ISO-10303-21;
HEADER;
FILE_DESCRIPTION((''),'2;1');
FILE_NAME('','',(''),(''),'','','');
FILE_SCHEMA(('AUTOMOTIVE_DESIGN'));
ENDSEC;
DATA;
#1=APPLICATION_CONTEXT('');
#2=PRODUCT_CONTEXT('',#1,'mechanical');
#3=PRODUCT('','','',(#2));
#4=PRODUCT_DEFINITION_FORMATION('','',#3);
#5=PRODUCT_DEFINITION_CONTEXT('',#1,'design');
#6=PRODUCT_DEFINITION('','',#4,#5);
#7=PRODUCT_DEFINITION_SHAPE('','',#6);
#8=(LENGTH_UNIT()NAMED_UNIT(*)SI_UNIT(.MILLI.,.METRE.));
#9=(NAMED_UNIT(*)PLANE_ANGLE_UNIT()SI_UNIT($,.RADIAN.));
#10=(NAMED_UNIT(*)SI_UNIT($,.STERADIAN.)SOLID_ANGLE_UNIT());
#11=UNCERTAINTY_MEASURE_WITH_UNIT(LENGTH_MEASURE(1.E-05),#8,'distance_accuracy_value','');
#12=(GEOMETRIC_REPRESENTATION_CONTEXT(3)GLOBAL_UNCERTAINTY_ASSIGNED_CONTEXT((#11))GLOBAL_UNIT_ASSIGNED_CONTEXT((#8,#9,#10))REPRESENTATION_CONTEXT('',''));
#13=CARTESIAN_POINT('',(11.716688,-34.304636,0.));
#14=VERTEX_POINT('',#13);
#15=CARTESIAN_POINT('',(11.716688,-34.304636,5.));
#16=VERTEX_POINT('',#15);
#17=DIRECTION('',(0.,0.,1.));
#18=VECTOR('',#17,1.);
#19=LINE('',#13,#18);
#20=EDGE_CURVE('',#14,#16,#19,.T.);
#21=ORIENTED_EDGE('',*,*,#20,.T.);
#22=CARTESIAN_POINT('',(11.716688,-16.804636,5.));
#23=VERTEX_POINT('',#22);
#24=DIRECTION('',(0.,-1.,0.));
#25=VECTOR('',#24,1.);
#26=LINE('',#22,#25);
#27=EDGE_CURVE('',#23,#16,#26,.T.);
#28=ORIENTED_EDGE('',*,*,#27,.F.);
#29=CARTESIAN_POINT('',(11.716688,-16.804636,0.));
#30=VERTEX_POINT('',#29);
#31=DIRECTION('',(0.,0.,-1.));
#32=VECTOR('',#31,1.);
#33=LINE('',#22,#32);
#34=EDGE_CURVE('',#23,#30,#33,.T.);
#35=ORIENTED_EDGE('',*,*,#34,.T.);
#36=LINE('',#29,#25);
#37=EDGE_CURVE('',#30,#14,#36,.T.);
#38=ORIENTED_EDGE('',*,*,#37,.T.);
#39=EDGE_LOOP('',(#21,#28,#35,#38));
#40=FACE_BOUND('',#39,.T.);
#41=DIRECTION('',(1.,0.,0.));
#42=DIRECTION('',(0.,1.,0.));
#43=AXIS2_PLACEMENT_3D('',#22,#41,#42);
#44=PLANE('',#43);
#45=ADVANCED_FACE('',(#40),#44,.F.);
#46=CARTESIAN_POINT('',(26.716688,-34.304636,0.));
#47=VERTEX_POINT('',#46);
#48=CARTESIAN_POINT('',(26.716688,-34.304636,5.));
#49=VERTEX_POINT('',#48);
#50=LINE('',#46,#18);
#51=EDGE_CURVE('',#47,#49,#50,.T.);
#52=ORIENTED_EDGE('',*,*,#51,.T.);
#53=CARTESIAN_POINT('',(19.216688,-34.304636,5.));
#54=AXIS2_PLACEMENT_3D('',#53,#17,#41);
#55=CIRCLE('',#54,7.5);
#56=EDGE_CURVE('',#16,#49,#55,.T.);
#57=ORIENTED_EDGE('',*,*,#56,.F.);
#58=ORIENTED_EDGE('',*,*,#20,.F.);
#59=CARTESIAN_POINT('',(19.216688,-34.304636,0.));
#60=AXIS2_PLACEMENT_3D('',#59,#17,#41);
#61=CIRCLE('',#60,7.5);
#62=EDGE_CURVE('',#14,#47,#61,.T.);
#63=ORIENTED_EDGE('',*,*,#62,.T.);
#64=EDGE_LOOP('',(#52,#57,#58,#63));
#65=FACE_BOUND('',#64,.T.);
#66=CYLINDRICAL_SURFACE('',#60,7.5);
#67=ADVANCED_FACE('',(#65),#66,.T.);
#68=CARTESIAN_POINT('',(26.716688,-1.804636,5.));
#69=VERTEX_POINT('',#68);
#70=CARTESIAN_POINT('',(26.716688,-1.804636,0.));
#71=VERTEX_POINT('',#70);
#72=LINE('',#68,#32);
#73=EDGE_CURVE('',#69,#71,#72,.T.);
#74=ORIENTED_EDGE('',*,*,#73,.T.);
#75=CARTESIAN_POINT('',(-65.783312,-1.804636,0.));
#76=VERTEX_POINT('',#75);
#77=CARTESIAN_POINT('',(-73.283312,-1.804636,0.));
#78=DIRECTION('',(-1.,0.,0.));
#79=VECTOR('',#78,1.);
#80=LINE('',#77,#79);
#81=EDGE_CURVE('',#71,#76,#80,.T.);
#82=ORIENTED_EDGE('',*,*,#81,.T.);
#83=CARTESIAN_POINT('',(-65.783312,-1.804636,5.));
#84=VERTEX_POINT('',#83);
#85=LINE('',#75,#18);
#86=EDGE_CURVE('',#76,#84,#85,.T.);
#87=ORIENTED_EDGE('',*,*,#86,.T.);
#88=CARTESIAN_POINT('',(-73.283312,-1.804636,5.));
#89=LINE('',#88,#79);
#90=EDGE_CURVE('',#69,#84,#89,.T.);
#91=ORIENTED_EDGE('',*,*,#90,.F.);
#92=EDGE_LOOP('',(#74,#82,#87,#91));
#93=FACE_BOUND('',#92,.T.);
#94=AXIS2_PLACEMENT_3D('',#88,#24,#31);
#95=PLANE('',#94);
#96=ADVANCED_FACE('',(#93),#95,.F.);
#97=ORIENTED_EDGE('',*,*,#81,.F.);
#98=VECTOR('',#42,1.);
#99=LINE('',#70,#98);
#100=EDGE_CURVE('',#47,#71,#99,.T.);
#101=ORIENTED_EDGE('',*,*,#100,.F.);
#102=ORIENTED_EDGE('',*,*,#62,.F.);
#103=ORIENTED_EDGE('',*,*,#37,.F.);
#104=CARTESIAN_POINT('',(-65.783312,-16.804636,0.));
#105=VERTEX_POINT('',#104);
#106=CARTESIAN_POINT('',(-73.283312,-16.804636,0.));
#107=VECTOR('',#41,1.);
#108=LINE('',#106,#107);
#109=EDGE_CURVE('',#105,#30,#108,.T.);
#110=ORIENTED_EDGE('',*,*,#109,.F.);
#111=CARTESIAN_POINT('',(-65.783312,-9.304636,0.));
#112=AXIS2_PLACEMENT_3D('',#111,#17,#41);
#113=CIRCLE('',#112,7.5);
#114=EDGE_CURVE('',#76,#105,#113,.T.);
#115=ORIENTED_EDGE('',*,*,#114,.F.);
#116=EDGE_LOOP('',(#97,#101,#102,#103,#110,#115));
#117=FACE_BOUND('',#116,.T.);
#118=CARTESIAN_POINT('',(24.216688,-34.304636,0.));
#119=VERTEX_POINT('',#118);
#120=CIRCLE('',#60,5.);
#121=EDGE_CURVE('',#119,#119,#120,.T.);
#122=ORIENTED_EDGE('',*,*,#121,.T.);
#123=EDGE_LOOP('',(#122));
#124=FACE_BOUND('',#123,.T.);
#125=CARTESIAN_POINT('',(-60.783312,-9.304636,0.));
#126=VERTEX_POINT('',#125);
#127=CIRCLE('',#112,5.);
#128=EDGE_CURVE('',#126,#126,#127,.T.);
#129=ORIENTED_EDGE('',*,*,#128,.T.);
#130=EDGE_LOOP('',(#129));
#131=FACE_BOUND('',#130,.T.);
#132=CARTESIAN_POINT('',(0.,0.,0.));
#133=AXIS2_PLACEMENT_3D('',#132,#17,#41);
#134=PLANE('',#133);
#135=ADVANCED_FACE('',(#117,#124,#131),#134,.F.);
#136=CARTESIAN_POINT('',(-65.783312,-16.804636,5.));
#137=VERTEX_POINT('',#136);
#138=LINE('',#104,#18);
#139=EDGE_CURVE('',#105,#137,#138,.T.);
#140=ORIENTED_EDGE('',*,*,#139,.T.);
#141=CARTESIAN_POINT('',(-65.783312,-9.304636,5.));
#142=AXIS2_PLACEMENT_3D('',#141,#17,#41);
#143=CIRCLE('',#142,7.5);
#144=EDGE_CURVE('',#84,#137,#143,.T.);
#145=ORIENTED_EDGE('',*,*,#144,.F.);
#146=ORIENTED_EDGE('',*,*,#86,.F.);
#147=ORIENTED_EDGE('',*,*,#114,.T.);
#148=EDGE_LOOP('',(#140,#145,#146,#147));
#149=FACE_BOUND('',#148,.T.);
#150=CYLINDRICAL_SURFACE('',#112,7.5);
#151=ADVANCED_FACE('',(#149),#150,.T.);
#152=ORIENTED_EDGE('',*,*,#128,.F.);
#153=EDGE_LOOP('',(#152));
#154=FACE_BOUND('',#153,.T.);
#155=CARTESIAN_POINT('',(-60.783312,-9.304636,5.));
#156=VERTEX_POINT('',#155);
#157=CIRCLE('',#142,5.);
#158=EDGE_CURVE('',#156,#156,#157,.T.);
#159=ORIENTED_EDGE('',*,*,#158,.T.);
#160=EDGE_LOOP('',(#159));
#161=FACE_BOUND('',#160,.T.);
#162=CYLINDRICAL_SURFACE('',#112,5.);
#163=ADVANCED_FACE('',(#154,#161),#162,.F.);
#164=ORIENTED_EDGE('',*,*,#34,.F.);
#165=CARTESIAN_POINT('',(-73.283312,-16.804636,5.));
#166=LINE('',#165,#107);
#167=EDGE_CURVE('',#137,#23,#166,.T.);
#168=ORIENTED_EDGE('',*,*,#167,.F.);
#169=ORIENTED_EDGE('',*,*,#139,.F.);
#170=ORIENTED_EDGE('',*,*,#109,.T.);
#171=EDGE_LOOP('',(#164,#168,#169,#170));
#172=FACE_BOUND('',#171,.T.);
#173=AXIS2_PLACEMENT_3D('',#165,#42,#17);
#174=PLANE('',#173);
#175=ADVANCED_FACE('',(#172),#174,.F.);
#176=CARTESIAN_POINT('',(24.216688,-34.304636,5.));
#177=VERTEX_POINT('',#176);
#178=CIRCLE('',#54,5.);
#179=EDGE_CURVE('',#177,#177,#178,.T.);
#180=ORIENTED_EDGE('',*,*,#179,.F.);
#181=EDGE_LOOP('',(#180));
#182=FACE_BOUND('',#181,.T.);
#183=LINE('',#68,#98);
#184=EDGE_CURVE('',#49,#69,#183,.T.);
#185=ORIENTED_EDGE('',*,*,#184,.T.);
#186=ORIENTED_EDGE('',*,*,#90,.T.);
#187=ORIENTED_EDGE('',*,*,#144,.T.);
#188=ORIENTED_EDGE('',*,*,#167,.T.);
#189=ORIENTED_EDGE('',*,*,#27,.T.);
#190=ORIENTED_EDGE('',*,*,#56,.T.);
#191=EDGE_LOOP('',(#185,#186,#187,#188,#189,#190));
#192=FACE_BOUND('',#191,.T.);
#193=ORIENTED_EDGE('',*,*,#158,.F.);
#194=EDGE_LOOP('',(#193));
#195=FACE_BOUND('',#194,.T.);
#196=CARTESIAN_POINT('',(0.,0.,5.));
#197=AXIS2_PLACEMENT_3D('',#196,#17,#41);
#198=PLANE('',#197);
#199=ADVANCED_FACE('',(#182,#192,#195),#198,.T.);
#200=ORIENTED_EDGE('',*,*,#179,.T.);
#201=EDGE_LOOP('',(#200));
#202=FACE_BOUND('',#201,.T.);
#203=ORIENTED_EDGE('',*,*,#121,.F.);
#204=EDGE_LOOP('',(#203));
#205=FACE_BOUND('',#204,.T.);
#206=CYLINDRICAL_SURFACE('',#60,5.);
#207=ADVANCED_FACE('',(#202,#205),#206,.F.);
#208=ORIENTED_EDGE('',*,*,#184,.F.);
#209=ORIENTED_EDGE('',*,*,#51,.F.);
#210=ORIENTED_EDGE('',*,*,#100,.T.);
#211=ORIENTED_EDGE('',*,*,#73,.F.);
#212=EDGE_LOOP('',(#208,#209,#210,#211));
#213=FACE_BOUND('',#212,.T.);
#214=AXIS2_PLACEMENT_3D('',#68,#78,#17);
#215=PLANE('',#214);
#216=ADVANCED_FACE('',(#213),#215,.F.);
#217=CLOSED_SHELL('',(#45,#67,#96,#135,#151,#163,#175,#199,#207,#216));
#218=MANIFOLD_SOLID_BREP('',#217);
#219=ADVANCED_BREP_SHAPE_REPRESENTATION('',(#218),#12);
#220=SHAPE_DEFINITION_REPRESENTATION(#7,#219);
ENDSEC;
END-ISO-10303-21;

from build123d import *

# Parameters (mm, degrees)
BOSS_EXTRUDE1_DEPTH = 5
SKETCH2_R           = 5
CUT_EXTRUDE1_DEPTH  = 5


with BuildPart() as part:
    # Sketch1 → Boss-Extrude1 (new body)
    with BuildSketch(Plane.XY):
        Polygon((-73.283312465, -1.804635762), (26.716687535, -1.804635762), (26.716687535, -41.804635762), (11.716687535, -41.804635762), (11.716687535, -16.804635762), (-73.283312465, -16.804635762), align=None)
    extrude(amount=BOSS_EXTRUDE1_DEPTH)

    # Sketch2 → Cut-Extrude1 (cut)
    with BuildSketch(Plane.XY.offset(5)):
        with Locations((19.216687535, -34.304635762)):
            Circle(SKETCH2_R)
        with BuildLine():
            ThreePointArc((19.216687535, -41.804635762), (13.913386676, -39.60793662), (11.716687535, -34.304635762))
            Line((11.716687535, -34.304635762), (11.716687535, -41.804635762))
            Line((11.716687535, -41.804635762), (19.216687535, -41.804635762))
        make_face()
        with BuildLine():
            Line((26.716687535, -41.804635762), (26.716687535, -34.304635762))
            ThreePointArc((26.716687535, -34.304635762), (24.519988394, -39.60793662), (19.216687535, -41.804635762))
            Line((19.216687535, -41.804635762), (26.716687535, -41.804635762))
        make_face()
        with Locations((-65.783312465, -9.304635762)):
            Circle(SKETCH2_R)
        with BuildLine():
            Line((-65.783312465, -1.804635762), (-73.283312465, -1.804635762))
            Line((-73.283312465, -1.804635762), (-73.283312465, -9.304635859))
            ThreePointArc((-73.283312465, -9.304635859), (-71.086613359, -4.001334937), (-65.783312465, -1.804635762))
        make_face()
        with BuildLine():
            ThreePointArc((-65.783312465, -16.804635762), (-71.086613289, -14.607936655), (-73.283312465, -9.304635859))
            Line((-73.283312465, -9.304635859), (-73.283312465, -16.804635762))
            Line((-73.283312465, -16.804635762), (-65.783312465, -16.804635762))
        make_face()
    extrude(amount=-CUT_EXTRUDE1_DEPTH, mode=Mode.SUBTRACT)


solid = part.part
